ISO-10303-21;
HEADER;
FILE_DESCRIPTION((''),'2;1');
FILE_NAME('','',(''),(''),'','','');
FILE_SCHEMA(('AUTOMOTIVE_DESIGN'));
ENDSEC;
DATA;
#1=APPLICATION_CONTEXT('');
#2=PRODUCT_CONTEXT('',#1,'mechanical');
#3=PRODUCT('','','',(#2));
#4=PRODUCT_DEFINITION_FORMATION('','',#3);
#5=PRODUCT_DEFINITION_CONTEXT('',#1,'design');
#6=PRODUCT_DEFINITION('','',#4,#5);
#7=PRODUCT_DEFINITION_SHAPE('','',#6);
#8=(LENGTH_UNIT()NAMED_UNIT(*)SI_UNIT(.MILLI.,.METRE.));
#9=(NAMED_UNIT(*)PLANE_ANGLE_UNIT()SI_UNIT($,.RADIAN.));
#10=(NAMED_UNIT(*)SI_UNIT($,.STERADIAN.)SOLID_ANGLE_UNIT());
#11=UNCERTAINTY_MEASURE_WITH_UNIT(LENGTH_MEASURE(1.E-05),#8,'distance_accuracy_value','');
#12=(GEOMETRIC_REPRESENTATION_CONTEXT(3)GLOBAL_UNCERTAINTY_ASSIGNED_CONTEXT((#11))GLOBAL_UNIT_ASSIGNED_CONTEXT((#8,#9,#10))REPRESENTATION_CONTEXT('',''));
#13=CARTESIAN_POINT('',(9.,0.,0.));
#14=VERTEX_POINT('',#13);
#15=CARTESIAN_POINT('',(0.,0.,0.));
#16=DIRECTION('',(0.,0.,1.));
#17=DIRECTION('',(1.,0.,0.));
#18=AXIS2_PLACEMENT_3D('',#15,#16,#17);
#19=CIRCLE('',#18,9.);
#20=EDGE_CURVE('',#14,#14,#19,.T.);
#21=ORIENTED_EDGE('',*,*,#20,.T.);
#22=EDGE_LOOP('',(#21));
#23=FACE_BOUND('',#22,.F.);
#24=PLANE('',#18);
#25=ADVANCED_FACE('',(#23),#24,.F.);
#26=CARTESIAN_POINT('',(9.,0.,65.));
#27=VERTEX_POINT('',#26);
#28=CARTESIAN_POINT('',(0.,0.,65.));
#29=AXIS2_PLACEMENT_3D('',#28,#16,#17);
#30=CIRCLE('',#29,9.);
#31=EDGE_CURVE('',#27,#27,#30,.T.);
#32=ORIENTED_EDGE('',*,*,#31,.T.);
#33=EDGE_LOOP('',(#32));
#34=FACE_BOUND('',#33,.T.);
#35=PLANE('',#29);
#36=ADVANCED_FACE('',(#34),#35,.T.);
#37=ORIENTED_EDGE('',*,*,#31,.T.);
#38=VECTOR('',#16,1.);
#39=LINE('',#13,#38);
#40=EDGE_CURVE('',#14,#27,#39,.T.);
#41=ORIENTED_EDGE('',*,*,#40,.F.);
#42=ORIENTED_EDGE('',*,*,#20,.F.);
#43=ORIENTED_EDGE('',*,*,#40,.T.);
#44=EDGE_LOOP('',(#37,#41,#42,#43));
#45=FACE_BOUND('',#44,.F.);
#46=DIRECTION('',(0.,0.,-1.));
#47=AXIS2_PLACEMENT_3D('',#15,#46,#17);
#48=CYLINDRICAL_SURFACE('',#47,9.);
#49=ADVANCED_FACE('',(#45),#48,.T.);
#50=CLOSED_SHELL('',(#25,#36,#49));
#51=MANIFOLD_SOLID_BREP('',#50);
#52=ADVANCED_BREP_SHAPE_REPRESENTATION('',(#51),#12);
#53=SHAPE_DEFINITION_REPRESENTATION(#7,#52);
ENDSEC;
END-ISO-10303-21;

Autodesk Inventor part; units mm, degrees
ref_plane "YZ Plane" through (0, 0, 0) normal (1, 0, 0) x (0, 1, 0)
ref_plane "XZ Plane" through (0, 0, 0) normal (0, 1, 0) x (-1, 0, 0)
ref_plane "XY Plane" through (0, 0, 0) normal (0, 0, 1) x (1, 0, 0)
sketch "Sketch1" plane through (0, 0, 0) normal (0, 0, 1) x (1, 0, 0)
  circle A0 centre (0, 0) radius 9
  dimension "d0" = 18
extrude "Extrusion1" add sketch "Sketch1" along normal blind 65
properties part number "test_18650"
